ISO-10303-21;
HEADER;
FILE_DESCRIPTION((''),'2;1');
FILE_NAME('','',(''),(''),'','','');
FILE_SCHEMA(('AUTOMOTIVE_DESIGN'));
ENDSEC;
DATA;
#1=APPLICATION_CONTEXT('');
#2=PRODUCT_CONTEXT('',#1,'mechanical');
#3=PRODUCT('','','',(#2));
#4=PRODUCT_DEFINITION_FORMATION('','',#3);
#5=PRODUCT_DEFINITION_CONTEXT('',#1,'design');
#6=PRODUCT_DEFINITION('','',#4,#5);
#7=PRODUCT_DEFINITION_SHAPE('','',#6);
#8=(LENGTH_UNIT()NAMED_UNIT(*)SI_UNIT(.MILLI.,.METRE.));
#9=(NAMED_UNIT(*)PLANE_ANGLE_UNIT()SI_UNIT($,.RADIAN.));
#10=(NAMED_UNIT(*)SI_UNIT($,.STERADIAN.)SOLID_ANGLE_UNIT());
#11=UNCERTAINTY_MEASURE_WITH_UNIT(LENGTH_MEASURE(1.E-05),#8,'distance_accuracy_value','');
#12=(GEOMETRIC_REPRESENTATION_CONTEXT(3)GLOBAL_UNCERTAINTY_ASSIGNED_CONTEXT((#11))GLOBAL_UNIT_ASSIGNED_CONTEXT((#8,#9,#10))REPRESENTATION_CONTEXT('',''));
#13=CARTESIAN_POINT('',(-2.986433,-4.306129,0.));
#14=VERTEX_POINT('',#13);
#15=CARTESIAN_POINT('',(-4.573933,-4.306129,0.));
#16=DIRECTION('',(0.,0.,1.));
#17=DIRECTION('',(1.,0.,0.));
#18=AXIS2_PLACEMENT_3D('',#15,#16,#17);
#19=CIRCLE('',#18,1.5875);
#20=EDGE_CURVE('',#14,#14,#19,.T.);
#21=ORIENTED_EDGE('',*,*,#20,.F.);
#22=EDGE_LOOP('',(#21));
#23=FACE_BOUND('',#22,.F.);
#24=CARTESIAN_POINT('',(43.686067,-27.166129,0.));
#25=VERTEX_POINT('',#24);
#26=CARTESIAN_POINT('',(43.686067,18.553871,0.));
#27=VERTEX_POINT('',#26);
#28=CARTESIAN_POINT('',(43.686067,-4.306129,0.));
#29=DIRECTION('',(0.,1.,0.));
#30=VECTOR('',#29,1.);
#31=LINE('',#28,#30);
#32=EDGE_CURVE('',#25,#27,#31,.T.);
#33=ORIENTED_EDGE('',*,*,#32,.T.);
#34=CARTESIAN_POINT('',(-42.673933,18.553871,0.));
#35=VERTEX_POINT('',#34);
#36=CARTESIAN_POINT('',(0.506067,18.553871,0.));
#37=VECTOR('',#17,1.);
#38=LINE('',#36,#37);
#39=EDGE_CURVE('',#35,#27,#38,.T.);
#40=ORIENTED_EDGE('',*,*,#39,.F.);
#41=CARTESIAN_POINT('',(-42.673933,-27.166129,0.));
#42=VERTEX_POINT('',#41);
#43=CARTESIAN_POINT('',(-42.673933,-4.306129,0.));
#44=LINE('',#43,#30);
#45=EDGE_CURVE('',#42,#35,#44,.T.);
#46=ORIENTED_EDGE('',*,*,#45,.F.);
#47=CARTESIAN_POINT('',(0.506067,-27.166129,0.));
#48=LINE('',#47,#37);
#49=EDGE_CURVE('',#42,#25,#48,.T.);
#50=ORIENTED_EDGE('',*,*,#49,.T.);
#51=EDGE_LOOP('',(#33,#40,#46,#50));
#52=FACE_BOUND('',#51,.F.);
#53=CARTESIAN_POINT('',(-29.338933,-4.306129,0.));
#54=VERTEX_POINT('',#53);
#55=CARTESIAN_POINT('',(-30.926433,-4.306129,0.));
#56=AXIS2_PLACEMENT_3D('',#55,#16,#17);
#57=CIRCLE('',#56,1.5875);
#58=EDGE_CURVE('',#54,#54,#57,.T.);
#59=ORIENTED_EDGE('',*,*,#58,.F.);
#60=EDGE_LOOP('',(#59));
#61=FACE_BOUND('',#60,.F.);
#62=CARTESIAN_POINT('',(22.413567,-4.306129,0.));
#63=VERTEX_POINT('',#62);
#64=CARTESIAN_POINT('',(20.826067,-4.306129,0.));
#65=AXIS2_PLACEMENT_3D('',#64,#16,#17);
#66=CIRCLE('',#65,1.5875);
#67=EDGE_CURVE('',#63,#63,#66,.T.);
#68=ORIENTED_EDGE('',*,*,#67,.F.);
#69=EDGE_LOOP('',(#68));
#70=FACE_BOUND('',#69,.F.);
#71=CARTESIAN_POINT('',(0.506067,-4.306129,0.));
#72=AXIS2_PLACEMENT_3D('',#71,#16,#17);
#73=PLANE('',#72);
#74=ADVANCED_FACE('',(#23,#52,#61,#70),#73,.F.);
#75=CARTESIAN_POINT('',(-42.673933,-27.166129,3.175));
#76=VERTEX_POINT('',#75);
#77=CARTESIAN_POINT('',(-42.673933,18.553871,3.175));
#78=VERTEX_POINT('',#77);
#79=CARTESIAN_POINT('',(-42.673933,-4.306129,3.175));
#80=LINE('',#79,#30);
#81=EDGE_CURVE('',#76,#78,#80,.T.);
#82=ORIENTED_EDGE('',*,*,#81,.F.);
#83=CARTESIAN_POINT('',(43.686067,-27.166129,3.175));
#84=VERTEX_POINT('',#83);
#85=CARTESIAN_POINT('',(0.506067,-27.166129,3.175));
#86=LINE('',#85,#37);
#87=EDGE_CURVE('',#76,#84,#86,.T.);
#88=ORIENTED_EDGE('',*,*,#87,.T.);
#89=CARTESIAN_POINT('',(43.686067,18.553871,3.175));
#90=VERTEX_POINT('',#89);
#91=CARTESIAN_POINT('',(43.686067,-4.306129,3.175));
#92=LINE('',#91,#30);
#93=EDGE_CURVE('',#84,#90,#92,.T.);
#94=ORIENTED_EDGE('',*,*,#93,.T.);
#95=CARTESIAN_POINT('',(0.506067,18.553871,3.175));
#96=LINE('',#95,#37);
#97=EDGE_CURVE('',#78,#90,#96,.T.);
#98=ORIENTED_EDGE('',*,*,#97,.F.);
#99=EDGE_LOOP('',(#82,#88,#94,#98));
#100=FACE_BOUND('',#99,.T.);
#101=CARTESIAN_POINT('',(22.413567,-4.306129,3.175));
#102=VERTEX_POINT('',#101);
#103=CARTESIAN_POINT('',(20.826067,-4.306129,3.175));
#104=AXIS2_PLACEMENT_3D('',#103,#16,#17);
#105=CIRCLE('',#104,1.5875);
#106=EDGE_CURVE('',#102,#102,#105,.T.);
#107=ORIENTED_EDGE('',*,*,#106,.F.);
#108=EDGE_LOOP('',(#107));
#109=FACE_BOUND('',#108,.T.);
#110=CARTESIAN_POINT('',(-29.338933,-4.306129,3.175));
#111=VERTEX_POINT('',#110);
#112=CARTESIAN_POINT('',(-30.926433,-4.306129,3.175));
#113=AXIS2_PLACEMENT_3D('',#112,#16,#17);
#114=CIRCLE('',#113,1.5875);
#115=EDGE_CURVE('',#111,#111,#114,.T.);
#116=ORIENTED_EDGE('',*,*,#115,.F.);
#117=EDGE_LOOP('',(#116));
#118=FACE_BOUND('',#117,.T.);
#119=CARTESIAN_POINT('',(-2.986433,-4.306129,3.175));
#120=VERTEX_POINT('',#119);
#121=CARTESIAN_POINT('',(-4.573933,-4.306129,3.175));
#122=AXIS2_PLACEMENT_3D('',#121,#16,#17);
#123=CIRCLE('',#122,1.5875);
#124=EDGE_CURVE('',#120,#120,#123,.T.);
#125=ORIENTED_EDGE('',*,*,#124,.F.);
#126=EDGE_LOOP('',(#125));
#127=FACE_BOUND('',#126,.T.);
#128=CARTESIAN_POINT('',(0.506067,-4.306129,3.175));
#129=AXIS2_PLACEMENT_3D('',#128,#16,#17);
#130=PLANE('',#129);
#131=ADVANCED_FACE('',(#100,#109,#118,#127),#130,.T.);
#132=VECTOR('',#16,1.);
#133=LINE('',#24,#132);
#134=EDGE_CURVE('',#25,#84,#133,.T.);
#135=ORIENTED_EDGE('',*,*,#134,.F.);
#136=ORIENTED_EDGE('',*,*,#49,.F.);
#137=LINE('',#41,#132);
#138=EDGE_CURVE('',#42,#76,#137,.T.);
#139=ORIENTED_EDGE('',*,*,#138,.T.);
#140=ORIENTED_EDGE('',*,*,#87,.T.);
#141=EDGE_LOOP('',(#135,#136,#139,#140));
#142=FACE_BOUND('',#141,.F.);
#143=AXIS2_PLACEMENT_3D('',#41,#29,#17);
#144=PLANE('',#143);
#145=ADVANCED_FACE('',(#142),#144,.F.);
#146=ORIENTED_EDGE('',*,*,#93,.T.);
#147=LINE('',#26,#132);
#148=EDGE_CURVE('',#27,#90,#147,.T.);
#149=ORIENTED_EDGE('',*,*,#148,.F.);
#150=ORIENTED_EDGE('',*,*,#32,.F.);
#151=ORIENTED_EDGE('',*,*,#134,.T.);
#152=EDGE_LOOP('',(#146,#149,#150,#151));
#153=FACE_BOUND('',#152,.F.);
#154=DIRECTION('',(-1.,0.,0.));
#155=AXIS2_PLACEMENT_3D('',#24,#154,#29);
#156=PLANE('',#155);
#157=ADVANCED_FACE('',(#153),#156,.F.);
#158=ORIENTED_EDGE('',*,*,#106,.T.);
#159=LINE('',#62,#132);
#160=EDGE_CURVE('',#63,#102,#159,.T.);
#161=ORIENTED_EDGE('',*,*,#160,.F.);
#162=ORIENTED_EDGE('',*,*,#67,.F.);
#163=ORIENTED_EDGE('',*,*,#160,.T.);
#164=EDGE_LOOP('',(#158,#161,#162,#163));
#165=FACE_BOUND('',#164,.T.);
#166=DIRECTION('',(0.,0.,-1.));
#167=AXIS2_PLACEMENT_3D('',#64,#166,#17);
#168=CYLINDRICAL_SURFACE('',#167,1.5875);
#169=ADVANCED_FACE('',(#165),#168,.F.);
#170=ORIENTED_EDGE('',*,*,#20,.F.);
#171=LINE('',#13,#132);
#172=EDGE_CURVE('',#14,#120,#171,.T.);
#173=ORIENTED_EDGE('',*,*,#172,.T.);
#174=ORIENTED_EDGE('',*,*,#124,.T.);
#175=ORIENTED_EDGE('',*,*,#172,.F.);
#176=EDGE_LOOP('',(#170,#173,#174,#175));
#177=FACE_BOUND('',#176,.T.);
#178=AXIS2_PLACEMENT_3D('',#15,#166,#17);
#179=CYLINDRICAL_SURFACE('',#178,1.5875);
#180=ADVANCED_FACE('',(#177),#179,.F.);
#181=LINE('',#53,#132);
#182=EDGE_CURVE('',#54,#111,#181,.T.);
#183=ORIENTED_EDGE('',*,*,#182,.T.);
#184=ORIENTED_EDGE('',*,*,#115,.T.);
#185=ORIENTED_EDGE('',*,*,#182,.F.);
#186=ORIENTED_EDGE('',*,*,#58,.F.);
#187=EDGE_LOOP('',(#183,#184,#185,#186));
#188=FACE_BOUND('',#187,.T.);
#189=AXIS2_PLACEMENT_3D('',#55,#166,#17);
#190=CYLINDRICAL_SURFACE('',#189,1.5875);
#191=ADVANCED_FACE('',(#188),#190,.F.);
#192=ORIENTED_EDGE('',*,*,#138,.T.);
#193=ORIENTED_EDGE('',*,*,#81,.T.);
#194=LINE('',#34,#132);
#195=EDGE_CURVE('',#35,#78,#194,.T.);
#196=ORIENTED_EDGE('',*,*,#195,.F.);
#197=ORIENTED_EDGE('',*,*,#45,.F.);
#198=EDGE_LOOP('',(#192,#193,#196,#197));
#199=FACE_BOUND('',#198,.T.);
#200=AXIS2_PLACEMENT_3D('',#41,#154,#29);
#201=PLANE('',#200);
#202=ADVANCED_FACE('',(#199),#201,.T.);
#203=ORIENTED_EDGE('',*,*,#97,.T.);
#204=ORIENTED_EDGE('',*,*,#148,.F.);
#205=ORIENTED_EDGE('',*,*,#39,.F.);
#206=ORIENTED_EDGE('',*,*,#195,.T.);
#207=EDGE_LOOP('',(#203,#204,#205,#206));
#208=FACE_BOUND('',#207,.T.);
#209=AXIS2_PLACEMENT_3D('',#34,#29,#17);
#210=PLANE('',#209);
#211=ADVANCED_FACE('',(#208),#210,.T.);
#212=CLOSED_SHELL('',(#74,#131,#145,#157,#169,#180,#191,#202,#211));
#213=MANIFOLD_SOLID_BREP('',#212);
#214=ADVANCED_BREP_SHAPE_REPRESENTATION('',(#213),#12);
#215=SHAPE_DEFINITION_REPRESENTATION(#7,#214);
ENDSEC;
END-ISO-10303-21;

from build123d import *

# Parameters (mm, degrees)
F0_W     = 86.36
F0_H     = 45.72
F0_R     = 1.5875
F1_DEPTH = 3.175


with BuildPart() as f1:
    # F0 (on Top) → F1 (new body)
    with BuildSketch(Plane.XY):
        with Locations((0.506067, -4.306129)):
            Rectangle(F0_W, F0_H)
        with Locations((-30.926433, -4.306129)):
            Circle(F0_R, mode=Mode.SUBTRACT)
        with Locations((-4.573933, -4.306129)):
            Circle(F0_R, mode=Mode.SUBTRACT)
        with Locations((20.826067, -4.306129)):
            Circle(F0_R, mode=Mode.SUBTRACT)
    extrude(amount=F1_DEPTH)


solid = f1.part
